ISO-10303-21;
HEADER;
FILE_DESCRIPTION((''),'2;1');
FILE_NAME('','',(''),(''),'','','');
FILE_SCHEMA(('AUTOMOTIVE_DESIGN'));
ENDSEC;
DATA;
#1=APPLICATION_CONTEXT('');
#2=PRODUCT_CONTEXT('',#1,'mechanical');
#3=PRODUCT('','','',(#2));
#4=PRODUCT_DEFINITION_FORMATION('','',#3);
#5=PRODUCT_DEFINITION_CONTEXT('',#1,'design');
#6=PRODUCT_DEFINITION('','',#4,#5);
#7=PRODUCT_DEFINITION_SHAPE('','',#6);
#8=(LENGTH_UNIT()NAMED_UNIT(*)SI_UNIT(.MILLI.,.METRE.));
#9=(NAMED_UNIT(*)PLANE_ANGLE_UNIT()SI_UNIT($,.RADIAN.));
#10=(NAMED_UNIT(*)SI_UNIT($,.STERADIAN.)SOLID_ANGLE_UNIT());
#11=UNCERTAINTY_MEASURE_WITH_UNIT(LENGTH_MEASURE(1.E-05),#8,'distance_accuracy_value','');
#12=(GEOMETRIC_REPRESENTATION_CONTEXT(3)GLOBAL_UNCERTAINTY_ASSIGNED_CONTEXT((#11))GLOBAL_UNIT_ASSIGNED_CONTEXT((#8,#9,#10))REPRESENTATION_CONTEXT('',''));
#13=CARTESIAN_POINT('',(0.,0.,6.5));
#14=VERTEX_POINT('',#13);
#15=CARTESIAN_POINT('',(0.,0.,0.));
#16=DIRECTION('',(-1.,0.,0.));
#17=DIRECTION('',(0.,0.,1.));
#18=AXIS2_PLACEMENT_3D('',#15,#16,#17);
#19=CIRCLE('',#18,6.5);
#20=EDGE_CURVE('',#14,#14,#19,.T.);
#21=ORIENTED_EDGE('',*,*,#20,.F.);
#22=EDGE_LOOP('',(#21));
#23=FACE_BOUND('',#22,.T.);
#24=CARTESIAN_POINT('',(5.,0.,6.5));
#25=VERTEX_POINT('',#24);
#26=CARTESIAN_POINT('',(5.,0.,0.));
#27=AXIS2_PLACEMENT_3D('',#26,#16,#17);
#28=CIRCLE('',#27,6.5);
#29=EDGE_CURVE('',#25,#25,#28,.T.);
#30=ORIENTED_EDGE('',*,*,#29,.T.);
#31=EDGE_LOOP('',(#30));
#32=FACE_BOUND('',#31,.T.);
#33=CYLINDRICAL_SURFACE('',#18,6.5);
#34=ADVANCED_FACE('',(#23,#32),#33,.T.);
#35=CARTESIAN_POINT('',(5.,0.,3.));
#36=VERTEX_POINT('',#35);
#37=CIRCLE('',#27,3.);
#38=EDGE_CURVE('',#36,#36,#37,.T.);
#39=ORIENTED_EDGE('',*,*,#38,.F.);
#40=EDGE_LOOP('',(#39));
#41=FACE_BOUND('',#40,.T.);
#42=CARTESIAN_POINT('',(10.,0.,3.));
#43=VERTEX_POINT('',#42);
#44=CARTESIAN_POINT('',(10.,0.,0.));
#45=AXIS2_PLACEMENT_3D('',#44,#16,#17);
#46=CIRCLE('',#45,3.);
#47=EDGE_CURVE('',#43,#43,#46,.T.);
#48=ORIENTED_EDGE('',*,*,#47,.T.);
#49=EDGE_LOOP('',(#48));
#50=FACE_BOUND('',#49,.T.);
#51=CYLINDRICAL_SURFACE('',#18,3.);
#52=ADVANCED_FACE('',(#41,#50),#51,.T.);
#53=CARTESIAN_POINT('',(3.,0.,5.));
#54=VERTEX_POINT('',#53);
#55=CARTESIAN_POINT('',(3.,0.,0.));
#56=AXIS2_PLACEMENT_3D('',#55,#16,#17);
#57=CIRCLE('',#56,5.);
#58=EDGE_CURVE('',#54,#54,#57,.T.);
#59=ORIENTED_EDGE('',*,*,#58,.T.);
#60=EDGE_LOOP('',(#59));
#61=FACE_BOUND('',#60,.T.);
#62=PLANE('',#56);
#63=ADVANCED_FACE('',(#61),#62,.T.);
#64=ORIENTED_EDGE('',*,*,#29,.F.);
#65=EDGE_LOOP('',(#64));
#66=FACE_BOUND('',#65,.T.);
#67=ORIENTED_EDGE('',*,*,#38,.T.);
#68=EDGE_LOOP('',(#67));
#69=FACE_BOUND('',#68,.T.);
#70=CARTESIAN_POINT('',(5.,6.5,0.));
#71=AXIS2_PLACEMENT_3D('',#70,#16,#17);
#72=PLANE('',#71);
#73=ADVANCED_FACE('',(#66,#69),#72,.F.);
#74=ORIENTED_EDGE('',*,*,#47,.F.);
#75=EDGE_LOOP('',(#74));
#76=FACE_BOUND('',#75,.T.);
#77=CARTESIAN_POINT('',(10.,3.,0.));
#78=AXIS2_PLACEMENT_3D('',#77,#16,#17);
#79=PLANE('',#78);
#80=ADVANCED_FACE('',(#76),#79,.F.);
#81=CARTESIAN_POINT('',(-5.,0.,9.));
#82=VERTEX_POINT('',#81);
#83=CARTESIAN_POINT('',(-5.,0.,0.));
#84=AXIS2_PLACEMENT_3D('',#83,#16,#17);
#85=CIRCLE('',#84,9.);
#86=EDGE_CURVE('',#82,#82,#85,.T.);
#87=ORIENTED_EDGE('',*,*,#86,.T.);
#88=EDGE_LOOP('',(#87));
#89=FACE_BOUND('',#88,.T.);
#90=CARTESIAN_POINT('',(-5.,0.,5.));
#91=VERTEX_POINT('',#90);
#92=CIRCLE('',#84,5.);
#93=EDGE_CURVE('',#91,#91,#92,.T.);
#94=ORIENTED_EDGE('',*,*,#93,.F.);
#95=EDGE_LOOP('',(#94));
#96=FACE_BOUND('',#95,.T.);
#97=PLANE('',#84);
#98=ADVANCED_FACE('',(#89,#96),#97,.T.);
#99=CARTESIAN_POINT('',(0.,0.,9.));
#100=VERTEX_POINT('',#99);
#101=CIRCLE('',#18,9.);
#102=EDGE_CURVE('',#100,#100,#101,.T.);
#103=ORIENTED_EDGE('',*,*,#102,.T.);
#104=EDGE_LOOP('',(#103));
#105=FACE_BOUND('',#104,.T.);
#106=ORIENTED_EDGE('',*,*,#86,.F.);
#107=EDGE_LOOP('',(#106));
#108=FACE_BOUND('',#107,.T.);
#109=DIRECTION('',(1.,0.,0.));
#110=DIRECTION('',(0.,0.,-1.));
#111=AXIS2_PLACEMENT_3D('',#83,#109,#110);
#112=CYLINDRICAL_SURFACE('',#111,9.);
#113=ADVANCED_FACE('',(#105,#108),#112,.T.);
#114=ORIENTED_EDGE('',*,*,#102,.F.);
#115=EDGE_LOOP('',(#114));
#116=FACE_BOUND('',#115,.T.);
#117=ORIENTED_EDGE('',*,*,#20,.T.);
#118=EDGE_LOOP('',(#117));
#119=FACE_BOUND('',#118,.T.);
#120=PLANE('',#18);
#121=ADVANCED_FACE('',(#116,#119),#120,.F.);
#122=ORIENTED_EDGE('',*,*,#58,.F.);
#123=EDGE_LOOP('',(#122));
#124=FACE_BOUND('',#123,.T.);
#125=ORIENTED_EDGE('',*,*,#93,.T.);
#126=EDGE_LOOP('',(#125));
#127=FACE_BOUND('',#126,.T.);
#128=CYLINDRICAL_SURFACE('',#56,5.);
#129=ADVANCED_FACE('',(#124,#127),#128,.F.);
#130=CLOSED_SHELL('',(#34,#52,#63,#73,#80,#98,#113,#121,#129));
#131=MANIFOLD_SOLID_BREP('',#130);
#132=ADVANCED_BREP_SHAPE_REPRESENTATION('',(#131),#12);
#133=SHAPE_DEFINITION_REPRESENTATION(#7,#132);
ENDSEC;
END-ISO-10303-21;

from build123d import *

# Parameters (mm, degrees)
SKETCH_3_R          = 9
EXTRUDE_1_DEPTH     = 5
SKETCH_4_R          = 5
CUT_EXTRUDE_1_DEPTH = 8


with BuildPart() as part:
    # 草图2 → 旋转1 (revolve)
    with BuildSketch(Plane.XY):
        Polygon((0, 0), (0, 6.5), (5, 6.5), (5, 3), (10, 3), (10, 0), align=None)
    revolve(axis=Axis((0, 0, 0), (1, 0, 0)))

    # 草图3 → 凸台-拉伸1 (add)
    with BuildSketch(Plane.ZY):
        Circle(SKETCH_3_R)
    extrude(amount=EXTRUDE_1_DEPTH)

    # 草图4 → 切除-拉伸1 (cut)
    with BuildSketch(Plane.ZY.offset(5)):
        Circle(SKETCH_4_R)
    extrude(amount=-CUT_EXTRUDE_1_DEPTH, mode=Mode.SUBTRACT)


solid = part.part
